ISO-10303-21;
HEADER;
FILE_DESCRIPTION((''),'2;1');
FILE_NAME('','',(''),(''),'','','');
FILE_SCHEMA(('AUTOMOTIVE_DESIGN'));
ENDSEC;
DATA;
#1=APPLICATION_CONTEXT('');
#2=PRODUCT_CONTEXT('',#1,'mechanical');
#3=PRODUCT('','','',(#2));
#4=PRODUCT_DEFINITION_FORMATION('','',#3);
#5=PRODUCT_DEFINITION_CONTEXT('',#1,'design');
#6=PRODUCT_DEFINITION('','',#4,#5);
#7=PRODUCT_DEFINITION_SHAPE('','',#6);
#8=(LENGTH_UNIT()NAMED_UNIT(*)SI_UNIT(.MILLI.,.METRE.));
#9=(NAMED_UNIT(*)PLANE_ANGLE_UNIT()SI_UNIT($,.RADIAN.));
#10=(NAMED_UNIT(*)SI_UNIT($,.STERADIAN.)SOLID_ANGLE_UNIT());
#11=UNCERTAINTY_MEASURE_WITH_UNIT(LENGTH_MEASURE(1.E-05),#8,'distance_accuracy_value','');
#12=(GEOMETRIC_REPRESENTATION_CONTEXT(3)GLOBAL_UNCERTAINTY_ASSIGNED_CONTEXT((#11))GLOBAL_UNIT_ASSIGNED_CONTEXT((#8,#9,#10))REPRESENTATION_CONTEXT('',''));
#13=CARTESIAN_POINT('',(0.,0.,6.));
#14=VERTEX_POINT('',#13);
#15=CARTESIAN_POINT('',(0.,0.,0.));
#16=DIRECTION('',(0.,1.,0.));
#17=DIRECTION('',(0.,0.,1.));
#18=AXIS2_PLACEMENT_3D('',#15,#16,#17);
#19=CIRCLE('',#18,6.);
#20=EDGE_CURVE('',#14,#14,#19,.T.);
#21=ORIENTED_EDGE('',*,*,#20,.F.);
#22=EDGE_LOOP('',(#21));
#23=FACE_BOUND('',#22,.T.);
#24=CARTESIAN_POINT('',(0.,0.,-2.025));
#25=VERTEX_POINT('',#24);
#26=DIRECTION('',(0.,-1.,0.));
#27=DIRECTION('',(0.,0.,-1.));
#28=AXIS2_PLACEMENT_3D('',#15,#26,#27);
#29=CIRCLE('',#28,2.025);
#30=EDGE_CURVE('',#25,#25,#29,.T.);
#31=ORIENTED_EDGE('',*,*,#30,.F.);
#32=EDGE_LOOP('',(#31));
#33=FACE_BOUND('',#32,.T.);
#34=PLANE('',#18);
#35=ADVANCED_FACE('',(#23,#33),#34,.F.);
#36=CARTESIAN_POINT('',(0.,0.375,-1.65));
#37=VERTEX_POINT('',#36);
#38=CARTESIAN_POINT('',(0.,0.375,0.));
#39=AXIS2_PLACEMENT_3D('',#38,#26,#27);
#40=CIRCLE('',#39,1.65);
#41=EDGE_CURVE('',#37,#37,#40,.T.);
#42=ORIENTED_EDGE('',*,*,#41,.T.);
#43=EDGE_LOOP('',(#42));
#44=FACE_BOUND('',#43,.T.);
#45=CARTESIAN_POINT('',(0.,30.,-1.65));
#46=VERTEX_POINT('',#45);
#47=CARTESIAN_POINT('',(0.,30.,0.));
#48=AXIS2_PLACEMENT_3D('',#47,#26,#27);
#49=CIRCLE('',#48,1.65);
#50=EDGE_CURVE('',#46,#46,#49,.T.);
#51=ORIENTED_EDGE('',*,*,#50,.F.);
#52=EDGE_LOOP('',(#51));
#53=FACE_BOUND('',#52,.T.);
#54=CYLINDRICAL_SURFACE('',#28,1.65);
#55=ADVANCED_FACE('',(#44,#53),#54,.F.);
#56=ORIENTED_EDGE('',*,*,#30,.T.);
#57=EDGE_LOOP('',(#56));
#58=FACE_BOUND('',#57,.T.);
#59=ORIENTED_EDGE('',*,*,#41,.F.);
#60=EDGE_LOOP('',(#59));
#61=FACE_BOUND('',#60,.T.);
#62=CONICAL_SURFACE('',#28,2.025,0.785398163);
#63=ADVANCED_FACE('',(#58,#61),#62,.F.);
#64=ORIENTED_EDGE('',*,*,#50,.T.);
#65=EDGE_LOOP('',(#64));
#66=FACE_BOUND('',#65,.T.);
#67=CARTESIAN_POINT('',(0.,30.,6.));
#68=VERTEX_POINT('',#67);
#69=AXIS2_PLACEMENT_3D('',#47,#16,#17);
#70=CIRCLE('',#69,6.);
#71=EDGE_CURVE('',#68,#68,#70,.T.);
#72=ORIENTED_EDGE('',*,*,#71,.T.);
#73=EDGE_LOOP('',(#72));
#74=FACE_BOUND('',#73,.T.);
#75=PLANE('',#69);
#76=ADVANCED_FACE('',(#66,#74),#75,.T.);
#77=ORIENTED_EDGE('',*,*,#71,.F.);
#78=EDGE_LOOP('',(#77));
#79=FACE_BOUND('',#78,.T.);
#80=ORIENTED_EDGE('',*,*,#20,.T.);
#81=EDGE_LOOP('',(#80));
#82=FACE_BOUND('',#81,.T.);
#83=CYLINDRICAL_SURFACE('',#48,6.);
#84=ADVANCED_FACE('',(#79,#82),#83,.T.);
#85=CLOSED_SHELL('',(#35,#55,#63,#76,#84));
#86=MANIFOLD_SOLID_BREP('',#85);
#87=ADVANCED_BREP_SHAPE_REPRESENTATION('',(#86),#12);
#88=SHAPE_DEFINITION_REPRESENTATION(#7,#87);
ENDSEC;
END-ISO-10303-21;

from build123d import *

# Parameters (mm, degrees)
SKETCH_1_R                   = 6
EXTRUDE_1_DEPTH              = 30
HOLE_WIZARD_M4_1_D           = 3.3
HOLE_WIZARD_M4_1_CSINK_D     = 4.05
HOLE_WIZARD_M4_1_CSINK_ANGLE = 90


with BuildPart() as part:
    # 草图1 → 凸台-拉伸1 (new body)
    with BuildSketch(Plane(origin=(0, 0, 0), x_dir=(1, 0, 0), z_dir=(0, 1, 0))):
        with Locations(Location((0, 0, 0), (0, 0, 270))):
            Circle(SKETCH_1_R)
    extrude(amount=EXTRUDE_1_DEPTH)

    # M4 螺纹孔1 (through all)
    with Locations(Plane(origin=(0, 0, 0), x_dir=(-1, 0, 0), z_dir=(0, -1, 0))):
        with Locations((0, 0)):
            CounterSinkHole(HOLE_WIZARD_M4_1_D / 2, HOLE_WIZARD_M4_1_CSINK_D / 2, counter_sink_angle=HOLE_WIZARD_M4_1_CSINK_ANGLE)


solid = part.part
